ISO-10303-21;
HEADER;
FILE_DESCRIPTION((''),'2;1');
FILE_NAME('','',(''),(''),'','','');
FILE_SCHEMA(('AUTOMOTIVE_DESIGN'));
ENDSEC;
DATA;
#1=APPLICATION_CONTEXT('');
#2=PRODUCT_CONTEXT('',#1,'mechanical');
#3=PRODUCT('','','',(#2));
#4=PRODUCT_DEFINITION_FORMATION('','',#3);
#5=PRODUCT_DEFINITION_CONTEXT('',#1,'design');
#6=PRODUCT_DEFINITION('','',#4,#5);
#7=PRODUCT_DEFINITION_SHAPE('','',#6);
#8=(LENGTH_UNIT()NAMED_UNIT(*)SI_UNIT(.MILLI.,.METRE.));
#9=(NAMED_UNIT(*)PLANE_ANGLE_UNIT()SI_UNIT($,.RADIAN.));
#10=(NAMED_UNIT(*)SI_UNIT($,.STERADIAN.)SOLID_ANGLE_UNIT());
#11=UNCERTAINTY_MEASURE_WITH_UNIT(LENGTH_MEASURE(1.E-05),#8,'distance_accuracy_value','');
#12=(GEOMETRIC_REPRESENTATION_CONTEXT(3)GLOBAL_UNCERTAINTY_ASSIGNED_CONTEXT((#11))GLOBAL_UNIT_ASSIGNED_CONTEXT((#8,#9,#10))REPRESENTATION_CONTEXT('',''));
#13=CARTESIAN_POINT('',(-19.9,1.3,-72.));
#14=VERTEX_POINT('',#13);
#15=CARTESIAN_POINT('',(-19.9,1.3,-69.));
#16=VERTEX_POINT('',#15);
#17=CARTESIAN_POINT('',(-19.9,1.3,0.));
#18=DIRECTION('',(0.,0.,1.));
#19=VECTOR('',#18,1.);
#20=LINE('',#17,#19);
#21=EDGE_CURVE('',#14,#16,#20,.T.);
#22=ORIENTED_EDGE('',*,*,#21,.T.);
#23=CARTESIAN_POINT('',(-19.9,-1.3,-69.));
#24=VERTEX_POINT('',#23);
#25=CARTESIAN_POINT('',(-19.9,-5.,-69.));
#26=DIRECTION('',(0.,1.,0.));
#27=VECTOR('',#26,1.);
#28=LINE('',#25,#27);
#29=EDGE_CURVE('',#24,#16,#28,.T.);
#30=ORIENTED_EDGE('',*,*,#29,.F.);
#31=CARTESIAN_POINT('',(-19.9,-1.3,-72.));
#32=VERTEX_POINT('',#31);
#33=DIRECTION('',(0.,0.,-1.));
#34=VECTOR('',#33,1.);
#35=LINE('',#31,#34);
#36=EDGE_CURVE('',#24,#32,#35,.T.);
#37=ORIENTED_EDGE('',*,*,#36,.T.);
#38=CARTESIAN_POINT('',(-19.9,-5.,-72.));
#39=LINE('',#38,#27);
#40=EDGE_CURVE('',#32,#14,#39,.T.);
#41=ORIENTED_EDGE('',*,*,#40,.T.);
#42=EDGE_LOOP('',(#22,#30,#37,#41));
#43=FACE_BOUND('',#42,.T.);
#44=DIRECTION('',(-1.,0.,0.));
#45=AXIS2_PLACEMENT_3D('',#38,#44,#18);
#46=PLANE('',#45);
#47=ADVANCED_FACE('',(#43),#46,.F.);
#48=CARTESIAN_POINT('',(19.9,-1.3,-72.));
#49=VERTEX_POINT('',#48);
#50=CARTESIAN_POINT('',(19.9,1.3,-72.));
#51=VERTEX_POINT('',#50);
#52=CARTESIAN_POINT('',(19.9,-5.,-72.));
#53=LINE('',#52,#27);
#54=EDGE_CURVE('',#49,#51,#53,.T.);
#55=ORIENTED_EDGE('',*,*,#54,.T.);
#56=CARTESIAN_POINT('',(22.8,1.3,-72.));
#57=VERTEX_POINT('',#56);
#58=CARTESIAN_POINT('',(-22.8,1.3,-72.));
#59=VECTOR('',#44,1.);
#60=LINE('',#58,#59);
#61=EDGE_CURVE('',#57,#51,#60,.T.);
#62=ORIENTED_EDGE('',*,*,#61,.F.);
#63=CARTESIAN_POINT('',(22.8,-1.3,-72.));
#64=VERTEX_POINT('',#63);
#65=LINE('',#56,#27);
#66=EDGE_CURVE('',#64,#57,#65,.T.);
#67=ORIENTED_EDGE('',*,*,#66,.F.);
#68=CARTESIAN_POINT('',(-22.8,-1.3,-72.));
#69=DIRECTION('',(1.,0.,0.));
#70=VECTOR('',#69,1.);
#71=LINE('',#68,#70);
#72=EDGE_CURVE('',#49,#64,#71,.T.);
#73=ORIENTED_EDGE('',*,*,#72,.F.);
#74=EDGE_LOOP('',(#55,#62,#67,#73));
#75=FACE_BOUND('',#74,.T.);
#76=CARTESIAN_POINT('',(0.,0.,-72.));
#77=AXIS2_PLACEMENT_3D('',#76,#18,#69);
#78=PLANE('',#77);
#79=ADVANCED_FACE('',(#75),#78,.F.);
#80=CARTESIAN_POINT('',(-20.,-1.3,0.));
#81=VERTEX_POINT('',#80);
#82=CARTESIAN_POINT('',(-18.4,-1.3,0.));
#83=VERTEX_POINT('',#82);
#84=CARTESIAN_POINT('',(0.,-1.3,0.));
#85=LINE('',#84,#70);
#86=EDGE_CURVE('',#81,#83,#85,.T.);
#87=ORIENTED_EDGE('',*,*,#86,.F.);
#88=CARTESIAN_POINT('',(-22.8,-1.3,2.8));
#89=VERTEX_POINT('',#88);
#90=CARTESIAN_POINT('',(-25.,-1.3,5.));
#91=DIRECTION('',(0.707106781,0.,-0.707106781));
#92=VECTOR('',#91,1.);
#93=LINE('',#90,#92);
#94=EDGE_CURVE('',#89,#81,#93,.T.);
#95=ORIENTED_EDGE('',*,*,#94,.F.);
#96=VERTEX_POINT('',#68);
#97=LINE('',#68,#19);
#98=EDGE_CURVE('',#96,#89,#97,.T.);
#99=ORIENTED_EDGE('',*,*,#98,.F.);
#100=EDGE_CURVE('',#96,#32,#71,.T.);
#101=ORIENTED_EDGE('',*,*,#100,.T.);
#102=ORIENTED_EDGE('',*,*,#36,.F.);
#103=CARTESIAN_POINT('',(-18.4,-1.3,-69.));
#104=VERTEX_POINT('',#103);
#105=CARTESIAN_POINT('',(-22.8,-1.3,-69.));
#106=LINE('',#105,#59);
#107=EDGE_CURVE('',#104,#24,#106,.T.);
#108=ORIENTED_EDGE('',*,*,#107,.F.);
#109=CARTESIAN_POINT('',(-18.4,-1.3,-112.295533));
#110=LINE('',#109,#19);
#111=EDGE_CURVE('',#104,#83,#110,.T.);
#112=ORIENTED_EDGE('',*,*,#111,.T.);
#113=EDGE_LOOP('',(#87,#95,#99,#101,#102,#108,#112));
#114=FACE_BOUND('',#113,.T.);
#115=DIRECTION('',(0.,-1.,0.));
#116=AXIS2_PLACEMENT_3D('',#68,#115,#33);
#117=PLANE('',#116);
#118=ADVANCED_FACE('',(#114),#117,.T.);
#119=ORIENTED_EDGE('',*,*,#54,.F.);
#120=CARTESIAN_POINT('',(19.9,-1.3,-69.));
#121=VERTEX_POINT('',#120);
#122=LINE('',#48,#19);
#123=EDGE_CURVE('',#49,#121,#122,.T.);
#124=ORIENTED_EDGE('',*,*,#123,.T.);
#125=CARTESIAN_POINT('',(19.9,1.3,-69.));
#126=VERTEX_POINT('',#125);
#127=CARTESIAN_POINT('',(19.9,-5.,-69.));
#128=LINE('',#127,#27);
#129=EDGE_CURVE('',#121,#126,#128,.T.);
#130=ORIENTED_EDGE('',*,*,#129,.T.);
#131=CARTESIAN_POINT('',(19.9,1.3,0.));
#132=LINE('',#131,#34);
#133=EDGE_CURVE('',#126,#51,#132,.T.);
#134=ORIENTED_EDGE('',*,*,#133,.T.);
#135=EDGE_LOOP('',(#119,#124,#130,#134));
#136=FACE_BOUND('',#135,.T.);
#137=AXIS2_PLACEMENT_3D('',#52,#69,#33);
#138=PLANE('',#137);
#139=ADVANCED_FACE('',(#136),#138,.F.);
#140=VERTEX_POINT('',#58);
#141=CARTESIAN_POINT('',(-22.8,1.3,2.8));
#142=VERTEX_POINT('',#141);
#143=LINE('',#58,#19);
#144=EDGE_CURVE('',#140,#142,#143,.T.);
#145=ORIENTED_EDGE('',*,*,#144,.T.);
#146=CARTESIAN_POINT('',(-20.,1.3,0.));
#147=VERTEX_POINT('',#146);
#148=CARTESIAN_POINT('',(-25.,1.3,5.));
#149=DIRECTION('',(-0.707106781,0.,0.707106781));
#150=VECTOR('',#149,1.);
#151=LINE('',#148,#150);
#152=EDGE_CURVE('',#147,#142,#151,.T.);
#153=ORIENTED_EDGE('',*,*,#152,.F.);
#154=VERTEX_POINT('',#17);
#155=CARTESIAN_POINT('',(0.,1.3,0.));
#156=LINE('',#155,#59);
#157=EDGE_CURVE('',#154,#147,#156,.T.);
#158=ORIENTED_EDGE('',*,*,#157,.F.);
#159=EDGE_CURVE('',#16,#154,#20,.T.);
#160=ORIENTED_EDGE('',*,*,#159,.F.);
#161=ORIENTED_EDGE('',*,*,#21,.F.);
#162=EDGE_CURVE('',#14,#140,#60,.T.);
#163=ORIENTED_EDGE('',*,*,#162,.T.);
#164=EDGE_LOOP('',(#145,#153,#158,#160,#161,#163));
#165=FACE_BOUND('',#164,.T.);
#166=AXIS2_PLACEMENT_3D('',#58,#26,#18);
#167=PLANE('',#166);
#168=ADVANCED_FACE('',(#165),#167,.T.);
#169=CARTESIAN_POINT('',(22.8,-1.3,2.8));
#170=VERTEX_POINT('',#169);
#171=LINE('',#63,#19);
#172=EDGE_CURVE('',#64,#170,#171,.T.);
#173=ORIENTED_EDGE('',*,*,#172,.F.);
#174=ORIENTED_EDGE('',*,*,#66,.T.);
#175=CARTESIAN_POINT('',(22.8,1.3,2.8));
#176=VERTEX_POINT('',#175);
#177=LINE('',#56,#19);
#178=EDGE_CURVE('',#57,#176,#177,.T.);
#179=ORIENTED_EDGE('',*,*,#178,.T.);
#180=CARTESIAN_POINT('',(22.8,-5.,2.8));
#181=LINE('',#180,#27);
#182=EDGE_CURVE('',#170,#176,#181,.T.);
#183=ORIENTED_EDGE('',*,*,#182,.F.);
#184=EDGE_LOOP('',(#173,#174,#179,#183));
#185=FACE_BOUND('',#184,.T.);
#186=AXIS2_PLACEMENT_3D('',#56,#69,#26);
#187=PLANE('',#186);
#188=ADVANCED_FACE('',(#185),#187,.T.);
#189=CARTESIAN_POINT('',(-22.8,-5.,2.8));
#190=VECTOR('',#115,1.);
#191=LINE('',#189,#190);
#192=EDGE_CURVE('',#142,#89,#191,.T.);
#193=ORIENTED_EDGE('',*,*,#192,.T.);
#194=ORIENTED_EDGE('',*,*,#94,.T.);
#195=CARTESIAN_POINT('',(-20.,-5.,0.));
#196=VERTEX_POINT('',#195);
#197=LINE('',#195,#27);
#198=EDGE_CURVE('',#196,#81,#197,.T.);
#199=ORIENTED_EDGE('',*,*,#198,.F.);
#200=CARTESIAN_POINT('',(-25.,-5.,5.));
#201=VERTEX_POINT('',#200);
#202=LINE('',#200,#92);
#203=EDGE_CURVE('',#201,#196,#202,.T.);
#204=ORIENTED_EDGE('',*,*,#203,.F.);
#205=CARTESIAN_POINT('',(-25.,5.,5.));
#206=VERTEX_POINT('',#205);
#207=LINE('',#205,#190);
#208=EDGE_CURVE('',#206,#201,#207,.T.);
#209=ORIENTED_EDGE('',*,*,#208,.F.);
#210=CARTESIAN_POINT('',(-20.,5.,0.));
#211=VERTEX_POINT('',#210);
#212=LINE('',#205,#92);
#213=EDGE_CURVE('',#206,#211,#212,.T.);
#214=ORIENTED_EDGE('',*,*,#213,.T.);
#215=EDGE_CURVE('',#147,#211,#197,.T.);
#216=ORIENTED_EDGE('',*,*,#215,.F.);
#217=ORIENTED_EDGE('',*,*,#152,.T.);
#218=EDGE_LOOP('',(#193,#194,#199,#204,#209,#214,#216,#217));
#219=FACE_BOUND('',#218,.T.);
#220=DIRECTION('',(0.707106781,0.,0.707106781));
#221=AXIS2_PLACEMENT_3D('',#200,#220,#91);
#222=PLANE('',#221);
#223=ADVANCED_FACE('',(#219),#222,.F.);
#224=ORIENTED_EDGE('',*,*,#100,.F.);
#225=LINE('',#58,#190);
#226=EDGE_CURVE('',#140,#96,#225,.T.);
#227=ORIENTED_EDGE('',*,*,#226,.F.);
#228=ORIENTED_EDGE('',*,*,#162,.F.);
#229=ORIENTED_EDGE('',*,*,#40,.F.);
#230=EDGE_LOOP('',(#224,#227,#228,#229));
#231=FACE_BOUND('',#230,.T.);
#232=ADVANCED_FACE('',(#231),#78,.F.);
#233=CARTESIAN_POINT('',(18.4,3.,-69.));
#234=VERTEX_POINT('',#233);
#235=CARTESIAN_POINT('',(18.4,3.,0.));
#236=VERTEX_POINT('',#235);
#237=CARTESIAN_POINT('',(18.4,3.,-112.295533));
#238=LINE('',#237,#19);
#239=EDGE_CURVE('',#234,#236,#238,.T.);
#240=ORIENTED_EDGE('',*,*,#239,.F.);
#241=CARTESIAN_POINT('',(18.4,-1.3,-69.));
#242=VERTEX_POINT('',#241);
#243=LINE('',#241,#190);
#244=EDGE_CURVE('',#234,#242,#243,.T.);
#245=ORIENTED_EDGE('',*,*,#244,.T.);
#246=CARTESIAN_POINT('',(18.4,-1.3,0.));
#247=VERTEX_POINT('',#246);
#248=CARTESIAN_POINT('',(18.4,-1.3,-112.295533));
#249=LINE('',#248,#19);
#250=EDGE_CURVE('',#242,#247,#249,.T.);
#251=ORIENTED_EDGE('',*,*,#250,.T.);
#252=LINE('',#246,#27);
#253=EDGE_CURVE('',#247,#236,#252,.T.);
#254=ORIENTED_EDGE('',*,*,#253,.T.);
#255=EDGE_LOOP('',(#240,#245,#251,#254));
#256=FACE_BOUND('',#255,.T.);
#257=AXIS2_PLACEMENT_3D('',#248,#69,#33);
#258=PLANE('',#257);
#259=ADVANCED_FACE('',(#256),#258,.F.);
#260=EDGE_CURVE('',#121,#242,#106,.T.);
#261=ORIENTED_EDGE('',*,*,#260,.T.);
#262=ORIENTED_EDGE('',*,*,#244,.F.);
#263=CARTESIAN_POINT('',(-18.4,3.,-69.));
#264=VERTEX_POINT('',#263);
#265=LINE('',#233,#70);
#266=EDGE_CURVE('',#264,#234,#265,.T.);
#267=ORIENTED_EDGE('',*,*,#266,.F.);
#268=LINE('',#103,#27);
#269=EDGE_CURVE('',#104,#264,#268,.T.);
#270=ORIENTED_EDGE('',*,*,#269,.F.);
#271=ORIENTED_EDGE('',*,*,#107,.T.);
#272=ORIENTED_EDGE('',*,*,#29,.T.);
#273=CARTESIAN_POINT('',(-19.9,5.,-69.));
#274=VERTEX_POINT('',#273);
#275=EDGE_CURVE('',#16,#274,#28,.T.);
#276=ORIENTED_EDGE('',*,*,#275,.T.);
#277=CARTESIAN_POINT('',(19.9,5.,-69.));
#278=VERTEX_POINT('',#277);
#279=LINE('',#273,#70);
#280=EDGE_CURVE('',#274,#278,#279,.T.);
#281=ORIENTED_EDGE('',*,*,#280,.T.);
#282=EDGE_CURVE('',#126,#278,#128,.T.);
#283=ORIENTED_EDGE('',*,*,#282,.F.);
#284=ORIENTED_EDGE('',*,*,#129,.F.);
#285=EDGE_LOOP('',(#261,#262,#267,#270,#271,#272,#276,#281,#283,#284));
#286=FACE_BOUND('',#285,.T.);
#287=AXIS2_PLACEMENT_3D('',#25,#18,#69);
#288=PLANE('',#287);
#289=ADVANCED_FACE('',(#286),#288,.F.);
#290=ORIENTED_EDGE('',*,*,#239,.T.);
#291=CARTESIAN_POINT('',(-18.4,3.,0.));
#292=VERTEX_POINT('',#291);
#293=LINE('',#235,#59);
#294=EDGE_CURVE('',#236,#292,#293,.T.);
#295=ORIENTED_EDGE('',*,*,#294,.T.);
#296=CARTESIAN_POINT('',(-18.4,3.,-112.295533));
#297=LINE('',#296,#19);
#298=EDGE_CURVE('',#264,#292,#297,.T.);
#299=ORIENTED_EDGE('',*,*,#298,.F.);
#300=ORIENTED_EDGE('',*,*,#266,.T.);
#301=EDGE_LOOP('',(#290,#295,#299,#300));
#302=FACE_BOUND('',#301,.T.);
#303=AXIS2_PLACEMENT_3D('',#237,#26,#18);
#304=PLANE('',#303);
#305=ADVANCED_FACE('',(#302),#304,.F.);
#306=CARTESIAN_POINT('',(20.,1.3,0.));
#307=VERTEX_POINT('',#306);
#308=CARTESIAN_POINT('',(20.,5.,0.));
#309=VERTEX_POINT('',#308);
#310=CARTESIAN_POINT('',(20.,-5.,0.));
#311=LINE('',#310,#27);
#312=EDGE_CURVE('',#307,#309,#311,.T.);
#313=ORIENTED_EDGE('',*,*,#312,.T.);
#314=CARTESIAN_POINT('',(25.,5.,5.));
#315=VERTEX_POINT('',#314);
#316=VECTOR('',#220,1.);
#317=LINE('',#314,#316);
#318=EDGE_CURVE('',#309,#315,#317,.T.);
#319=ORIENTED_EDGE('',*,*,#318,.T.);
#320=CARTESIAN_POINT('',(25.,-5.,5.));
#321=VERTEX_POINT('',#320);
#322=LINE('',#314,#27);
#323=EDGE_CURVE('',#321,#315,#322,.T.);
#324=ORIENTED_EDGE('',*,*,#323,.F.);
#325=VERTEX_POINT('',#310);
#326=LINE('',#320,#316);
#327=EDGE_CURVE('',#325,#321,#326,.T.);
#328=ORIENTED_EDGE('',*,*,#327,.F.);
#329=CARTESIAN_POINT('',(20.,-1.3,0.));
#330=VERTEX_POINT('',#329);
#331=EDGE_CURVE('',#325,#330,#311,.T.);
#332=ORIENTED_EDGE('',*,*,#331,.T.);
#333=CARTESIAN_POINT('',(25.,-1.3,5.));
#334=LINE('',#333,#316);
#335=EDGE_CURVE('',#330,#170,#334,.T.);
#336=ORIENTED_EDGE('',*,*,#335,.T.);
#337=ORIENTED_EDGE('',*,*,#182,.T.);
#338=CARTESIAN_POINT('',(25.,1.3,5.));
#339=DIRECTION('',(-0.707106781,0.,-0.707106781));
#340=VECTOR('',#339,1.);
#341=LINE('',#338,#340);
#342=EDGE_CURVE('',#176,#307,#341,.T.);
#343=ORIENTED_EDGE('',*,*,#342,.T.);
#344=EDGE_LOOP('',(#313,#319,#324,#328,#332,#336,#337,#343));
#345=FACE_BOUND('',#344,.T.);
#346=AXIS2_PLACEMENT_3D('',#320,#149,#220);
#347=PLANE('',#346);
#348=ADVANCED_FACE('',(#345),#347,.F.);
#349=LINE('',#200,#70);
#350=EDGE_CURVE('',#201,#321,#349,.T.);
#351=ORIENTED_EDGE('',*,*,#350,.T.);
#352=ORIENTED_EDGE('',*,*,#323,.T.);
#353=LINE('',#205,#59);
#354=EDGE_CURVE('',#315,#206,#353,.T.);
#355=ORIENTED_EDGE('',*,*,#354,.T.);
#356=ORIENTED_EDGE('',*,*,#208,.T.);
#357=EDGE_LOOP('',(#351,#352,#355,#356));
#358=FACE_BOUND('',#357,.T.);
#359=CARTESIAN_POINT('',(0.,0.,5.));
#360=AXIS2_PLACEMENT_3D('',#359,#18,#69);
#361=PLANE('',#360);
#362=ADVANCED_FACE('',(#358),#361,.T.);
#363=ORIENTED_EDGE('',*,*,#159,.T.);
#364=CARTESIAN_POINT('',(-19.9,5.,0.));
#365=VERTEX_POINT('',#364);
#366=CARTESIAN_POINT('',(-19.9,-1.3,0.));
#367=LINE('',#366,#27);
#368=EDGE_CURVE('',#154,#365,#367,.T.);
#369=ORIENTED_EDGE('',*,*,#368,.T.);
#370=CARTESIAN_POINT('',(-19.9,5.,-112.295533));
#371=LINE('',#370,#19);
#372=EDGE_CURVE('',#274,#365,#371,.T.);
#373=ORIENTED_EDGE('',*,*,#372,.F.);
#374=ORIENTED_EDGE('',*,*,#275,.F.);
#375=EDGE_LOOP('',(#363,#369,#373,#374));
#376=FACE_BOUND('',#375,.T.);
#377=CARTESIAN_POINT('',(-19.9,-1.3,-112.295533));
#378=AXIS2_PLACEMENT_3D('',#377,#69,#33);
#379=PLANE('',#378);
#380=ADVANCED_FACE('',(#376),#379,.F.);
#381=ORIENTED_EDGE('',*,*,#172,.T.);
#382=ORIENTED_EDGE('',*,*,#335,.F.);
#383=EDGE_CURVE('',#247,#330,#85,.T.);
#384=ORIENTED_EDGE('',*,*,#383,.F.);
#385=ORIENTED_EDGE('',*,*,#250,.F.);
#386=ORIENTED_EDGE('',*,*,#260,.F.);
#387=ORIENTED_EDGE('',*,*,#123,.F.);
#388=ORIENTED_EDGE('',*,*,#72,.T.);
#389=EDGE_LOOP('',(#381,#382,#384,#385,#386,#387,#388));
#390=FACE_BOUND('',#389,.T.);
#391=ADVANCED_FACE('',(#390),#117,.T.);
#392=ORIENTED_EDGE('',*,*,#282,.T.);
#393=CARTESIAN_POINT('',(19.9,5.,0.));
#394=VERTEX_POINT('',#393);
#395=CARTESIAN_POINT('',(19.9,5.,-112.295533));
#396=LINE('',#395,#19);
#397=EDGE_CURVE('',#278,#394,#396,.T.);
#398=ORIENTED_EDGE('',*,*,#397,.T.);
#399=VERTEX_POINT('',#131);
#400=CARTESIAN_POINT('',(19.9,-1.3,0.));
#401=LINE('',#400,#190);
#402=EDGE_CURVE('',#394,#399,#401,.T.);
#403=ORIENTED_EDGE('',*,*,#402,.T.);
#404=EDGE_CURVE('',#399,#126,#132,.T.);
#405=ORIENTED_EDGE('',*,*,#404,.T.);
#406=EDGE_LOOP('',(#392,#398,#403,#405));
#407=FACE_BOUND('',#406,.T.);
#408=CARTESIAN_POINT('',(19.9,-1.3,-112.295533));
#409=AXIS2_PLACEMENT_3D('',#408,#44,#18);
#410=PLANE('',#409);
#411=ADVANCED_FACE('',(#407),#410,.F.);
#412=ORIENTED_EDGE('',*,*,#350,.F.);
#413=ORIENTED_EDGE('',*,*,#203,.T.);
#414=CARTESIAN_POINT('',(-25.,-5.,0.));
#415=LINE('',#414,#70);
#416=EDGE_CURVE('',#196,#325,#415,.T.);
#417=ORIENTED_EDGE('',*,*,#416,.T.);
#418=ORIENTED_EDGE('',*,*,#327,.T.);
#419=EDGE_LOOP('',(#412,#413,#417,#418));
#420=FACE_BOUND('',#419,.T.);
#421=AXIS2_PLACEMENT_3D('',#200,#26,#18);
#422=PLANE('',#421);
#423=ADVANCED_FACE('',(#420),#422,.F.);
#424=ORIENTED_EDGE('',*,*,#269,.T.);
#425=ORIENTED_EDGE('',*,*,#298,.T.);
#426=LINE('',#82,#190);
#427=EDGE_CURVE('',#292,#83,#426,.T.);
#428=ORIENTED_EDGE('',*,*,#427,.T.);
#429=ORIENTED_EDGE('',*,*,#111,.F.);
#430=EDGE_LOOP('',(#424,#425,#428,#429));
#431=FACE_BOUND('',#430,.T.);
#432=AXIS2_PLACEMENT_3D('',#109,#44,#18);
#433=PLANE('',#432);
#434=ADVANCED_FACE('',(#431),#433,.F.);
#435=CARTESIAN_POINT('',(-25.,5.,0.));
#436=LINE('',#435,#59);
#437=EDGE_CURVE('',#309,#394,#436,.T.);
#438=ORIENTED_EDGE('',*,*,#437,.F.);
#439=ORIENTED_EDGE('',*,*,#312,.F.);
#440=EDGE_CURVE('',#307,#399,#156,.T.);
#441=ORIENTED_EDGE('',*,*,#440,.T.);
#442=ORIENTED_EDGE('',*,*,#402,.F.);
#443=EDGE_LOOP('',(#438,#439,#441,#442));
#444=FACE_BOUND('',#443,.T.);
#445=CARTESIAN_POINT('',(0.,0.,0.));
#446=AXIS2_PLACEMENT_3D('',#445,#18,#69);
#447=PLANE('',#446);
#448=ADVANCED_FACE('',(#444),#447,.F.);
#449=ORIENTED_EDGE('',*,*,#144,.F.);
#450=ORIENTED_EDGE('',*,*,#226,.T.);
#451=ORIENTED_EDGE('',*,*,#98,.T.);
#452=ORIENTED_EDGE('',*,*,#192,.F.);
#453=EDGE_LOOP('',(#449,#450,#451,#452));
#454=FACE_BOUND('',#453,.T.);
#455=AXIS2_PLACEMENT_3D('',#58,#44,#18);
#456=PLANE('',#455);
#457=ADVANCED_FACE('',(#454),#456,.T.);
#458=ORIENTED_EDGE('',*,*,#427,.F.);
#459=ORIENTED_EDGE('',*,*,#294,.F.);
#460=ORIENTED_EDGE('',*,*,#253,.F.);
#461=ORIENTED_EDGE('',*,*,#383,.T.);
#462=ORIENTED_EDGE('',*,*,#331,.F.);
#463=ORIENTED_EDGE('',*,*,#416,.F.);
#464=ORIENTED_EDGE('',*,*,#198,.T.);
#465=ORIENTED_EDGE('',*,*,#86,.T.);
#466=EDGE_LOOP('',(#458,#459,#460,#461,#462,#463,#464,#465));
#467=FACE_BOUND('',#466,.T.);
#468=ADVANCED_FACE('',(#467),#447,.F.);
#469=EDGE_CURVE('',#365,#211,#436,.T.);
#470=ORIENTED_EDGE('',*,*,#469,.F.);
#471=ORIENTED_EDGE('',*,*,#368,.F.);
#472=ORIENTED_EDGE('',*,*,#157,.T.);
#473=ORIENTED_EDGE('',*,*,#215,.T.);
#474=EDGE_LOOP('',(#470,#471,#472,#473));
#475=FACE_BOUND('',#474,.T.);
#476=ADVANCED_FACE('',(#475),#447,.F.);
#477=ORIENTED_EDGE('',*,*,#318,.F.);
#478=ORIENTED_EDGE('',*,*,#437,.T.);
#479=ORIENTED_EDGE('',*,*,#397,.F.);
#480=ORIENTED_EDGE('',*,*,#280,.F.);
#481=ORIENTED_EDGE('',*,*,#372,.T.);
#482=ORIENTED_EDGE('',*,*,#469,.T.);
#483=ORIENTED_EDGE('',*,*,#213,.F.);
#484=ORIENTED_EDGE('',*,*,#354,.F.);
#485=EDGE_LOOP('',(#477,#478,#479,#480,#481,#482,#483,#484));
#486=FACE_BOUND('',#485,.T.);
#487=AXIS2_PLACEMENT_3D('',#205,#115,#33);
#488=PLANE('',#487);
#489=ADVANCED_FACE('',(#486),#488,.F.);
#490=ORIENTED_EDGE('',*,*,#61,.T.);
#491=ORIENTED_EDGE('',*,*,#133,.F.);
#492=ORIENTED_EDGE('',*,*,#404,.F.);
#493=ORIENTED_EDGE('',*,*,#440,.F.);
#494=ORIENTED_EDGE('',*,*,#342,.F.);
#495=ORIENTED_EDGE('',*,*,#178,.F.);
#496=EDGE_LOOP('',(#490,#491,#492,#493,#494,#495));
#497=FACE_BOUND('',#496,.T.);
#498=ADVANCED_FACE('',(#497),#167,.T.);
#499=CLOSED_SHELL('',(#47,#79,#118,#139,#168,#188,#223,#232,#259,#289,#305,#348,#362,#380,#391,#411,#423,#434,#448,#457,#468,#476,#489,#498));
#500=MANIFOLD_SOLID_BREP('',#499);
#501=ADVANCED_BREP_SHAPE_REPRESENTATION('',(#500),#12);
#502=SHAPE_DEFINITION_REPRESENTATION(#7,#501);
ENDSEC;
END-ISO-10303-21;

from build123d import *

# Parameters (mm, degrees)
SKETCH1_W               = 50
SKETCH1_H               = 10
BOSS_EXTRUDE1_DEPTH     = 5
CUT_EXTRUDE1_DEPTH      = 6
CUT_EXTRUDE1_DEPTH_BACK = 6
SKETCH3_W               = 45.6
SKETCH3_H               = 2.6
BOSS_EXTRUDE2_DEPTH     = 77
SKETCH4_W               = 39.8
SKETCH4_H               = 72
CUT_EXTRUDE2_DEPTH      = 77
BOSS_EXTRUDE3_DEPTH     = 72
SKETCH7_W               = 39.8
SKETCH7_H               = 3
CUT_EXTRUDE3_DEPTH      = 10


with BuildPart() as part:
    # Sketch1 → Boss-Extrude1 (new body)
    with BuildSketch(Plane.XY):
        Rectangle(SKETCH1_W, SKETCH1_H)
    extrude(amount=BOSS_EXTRUDE1_DEPTH)

    # Sketch2 → Cut-Extrude1 (cut, two sides)
    with BuildSketch(Plane(origin=(0, 0, 0), x_dir=(1, 0, 0), z_dir=(0, 1, 0))) as cut_extrude1_sk:
        Polygon((-25, -5), (-20, 0), (-25, 0), align=None)
        Polygon((25, -5), (20, 0), (25, 0), align=None)
    extrude(amount=CUT_EXTRUDE1_DEPTH, mode=Mode.SUBTRACT)
    extrude(cut_extrude1_sk.sketch, amount=-CUT_EXTRUDE1_DEPTH_BACK, mode=Mode.SUBTRACT)

    # Sketch3 → Boss-Extrude2 (add)
    with BuildSketch(Plane.XY.offset(5)):
        Rectangle(SKETCH3_W, SKETCH3_H)
    extrude(amount=-BOSS_EXTRUDE2_DEPTH)

    # Sketch4 → Cut-Extrude2 (cut)
    with BuildSketch(Plane(origin=(0, 1.3, 0), x_dir=(1, 0, 0), z_dir=(0, 1, 0))):
        with Locations((0, 36)):
            Rectangle(SKETCH4_W, SKETCH4_H)
    extrude(amount=-CUT_EXTRUDE2_DEPTH, mode=Mode.SUBTRACT)

    # Sketch6 → Boss-Extrude3 (add)
    with BuildSketch(Plane(origin=(0, 0, 0), x_dir=(-1, 0, 0), z_dir=(0, 0, -1))):
        Polygon((-19.9, -1.3), (-19.9, 5), (19.9, 5), (19.9, -1.3), (18.4, -1.3), (18.4, 3), (-18.4, 3), (-18.4, -1.3), align=None)
    extrude(amount=BOSS_EXTRUDE3_DEPTH)

    # Sketch7 → Cut-Extrude3 (cut)
    with BuildSketch(Plane(origin=(0, 5, 0), x_dir=(1, 0, 0), z_dir=(0, 1, 0))):
        with Locations((0, 70.5)):
            Rectangle(SKETCH7_W, SKETCH7_H)
    extrude(amount=-CUT_EXTRUDE3_DEPTH, mode=Mode.SUBTRACT)


solid = part.part
